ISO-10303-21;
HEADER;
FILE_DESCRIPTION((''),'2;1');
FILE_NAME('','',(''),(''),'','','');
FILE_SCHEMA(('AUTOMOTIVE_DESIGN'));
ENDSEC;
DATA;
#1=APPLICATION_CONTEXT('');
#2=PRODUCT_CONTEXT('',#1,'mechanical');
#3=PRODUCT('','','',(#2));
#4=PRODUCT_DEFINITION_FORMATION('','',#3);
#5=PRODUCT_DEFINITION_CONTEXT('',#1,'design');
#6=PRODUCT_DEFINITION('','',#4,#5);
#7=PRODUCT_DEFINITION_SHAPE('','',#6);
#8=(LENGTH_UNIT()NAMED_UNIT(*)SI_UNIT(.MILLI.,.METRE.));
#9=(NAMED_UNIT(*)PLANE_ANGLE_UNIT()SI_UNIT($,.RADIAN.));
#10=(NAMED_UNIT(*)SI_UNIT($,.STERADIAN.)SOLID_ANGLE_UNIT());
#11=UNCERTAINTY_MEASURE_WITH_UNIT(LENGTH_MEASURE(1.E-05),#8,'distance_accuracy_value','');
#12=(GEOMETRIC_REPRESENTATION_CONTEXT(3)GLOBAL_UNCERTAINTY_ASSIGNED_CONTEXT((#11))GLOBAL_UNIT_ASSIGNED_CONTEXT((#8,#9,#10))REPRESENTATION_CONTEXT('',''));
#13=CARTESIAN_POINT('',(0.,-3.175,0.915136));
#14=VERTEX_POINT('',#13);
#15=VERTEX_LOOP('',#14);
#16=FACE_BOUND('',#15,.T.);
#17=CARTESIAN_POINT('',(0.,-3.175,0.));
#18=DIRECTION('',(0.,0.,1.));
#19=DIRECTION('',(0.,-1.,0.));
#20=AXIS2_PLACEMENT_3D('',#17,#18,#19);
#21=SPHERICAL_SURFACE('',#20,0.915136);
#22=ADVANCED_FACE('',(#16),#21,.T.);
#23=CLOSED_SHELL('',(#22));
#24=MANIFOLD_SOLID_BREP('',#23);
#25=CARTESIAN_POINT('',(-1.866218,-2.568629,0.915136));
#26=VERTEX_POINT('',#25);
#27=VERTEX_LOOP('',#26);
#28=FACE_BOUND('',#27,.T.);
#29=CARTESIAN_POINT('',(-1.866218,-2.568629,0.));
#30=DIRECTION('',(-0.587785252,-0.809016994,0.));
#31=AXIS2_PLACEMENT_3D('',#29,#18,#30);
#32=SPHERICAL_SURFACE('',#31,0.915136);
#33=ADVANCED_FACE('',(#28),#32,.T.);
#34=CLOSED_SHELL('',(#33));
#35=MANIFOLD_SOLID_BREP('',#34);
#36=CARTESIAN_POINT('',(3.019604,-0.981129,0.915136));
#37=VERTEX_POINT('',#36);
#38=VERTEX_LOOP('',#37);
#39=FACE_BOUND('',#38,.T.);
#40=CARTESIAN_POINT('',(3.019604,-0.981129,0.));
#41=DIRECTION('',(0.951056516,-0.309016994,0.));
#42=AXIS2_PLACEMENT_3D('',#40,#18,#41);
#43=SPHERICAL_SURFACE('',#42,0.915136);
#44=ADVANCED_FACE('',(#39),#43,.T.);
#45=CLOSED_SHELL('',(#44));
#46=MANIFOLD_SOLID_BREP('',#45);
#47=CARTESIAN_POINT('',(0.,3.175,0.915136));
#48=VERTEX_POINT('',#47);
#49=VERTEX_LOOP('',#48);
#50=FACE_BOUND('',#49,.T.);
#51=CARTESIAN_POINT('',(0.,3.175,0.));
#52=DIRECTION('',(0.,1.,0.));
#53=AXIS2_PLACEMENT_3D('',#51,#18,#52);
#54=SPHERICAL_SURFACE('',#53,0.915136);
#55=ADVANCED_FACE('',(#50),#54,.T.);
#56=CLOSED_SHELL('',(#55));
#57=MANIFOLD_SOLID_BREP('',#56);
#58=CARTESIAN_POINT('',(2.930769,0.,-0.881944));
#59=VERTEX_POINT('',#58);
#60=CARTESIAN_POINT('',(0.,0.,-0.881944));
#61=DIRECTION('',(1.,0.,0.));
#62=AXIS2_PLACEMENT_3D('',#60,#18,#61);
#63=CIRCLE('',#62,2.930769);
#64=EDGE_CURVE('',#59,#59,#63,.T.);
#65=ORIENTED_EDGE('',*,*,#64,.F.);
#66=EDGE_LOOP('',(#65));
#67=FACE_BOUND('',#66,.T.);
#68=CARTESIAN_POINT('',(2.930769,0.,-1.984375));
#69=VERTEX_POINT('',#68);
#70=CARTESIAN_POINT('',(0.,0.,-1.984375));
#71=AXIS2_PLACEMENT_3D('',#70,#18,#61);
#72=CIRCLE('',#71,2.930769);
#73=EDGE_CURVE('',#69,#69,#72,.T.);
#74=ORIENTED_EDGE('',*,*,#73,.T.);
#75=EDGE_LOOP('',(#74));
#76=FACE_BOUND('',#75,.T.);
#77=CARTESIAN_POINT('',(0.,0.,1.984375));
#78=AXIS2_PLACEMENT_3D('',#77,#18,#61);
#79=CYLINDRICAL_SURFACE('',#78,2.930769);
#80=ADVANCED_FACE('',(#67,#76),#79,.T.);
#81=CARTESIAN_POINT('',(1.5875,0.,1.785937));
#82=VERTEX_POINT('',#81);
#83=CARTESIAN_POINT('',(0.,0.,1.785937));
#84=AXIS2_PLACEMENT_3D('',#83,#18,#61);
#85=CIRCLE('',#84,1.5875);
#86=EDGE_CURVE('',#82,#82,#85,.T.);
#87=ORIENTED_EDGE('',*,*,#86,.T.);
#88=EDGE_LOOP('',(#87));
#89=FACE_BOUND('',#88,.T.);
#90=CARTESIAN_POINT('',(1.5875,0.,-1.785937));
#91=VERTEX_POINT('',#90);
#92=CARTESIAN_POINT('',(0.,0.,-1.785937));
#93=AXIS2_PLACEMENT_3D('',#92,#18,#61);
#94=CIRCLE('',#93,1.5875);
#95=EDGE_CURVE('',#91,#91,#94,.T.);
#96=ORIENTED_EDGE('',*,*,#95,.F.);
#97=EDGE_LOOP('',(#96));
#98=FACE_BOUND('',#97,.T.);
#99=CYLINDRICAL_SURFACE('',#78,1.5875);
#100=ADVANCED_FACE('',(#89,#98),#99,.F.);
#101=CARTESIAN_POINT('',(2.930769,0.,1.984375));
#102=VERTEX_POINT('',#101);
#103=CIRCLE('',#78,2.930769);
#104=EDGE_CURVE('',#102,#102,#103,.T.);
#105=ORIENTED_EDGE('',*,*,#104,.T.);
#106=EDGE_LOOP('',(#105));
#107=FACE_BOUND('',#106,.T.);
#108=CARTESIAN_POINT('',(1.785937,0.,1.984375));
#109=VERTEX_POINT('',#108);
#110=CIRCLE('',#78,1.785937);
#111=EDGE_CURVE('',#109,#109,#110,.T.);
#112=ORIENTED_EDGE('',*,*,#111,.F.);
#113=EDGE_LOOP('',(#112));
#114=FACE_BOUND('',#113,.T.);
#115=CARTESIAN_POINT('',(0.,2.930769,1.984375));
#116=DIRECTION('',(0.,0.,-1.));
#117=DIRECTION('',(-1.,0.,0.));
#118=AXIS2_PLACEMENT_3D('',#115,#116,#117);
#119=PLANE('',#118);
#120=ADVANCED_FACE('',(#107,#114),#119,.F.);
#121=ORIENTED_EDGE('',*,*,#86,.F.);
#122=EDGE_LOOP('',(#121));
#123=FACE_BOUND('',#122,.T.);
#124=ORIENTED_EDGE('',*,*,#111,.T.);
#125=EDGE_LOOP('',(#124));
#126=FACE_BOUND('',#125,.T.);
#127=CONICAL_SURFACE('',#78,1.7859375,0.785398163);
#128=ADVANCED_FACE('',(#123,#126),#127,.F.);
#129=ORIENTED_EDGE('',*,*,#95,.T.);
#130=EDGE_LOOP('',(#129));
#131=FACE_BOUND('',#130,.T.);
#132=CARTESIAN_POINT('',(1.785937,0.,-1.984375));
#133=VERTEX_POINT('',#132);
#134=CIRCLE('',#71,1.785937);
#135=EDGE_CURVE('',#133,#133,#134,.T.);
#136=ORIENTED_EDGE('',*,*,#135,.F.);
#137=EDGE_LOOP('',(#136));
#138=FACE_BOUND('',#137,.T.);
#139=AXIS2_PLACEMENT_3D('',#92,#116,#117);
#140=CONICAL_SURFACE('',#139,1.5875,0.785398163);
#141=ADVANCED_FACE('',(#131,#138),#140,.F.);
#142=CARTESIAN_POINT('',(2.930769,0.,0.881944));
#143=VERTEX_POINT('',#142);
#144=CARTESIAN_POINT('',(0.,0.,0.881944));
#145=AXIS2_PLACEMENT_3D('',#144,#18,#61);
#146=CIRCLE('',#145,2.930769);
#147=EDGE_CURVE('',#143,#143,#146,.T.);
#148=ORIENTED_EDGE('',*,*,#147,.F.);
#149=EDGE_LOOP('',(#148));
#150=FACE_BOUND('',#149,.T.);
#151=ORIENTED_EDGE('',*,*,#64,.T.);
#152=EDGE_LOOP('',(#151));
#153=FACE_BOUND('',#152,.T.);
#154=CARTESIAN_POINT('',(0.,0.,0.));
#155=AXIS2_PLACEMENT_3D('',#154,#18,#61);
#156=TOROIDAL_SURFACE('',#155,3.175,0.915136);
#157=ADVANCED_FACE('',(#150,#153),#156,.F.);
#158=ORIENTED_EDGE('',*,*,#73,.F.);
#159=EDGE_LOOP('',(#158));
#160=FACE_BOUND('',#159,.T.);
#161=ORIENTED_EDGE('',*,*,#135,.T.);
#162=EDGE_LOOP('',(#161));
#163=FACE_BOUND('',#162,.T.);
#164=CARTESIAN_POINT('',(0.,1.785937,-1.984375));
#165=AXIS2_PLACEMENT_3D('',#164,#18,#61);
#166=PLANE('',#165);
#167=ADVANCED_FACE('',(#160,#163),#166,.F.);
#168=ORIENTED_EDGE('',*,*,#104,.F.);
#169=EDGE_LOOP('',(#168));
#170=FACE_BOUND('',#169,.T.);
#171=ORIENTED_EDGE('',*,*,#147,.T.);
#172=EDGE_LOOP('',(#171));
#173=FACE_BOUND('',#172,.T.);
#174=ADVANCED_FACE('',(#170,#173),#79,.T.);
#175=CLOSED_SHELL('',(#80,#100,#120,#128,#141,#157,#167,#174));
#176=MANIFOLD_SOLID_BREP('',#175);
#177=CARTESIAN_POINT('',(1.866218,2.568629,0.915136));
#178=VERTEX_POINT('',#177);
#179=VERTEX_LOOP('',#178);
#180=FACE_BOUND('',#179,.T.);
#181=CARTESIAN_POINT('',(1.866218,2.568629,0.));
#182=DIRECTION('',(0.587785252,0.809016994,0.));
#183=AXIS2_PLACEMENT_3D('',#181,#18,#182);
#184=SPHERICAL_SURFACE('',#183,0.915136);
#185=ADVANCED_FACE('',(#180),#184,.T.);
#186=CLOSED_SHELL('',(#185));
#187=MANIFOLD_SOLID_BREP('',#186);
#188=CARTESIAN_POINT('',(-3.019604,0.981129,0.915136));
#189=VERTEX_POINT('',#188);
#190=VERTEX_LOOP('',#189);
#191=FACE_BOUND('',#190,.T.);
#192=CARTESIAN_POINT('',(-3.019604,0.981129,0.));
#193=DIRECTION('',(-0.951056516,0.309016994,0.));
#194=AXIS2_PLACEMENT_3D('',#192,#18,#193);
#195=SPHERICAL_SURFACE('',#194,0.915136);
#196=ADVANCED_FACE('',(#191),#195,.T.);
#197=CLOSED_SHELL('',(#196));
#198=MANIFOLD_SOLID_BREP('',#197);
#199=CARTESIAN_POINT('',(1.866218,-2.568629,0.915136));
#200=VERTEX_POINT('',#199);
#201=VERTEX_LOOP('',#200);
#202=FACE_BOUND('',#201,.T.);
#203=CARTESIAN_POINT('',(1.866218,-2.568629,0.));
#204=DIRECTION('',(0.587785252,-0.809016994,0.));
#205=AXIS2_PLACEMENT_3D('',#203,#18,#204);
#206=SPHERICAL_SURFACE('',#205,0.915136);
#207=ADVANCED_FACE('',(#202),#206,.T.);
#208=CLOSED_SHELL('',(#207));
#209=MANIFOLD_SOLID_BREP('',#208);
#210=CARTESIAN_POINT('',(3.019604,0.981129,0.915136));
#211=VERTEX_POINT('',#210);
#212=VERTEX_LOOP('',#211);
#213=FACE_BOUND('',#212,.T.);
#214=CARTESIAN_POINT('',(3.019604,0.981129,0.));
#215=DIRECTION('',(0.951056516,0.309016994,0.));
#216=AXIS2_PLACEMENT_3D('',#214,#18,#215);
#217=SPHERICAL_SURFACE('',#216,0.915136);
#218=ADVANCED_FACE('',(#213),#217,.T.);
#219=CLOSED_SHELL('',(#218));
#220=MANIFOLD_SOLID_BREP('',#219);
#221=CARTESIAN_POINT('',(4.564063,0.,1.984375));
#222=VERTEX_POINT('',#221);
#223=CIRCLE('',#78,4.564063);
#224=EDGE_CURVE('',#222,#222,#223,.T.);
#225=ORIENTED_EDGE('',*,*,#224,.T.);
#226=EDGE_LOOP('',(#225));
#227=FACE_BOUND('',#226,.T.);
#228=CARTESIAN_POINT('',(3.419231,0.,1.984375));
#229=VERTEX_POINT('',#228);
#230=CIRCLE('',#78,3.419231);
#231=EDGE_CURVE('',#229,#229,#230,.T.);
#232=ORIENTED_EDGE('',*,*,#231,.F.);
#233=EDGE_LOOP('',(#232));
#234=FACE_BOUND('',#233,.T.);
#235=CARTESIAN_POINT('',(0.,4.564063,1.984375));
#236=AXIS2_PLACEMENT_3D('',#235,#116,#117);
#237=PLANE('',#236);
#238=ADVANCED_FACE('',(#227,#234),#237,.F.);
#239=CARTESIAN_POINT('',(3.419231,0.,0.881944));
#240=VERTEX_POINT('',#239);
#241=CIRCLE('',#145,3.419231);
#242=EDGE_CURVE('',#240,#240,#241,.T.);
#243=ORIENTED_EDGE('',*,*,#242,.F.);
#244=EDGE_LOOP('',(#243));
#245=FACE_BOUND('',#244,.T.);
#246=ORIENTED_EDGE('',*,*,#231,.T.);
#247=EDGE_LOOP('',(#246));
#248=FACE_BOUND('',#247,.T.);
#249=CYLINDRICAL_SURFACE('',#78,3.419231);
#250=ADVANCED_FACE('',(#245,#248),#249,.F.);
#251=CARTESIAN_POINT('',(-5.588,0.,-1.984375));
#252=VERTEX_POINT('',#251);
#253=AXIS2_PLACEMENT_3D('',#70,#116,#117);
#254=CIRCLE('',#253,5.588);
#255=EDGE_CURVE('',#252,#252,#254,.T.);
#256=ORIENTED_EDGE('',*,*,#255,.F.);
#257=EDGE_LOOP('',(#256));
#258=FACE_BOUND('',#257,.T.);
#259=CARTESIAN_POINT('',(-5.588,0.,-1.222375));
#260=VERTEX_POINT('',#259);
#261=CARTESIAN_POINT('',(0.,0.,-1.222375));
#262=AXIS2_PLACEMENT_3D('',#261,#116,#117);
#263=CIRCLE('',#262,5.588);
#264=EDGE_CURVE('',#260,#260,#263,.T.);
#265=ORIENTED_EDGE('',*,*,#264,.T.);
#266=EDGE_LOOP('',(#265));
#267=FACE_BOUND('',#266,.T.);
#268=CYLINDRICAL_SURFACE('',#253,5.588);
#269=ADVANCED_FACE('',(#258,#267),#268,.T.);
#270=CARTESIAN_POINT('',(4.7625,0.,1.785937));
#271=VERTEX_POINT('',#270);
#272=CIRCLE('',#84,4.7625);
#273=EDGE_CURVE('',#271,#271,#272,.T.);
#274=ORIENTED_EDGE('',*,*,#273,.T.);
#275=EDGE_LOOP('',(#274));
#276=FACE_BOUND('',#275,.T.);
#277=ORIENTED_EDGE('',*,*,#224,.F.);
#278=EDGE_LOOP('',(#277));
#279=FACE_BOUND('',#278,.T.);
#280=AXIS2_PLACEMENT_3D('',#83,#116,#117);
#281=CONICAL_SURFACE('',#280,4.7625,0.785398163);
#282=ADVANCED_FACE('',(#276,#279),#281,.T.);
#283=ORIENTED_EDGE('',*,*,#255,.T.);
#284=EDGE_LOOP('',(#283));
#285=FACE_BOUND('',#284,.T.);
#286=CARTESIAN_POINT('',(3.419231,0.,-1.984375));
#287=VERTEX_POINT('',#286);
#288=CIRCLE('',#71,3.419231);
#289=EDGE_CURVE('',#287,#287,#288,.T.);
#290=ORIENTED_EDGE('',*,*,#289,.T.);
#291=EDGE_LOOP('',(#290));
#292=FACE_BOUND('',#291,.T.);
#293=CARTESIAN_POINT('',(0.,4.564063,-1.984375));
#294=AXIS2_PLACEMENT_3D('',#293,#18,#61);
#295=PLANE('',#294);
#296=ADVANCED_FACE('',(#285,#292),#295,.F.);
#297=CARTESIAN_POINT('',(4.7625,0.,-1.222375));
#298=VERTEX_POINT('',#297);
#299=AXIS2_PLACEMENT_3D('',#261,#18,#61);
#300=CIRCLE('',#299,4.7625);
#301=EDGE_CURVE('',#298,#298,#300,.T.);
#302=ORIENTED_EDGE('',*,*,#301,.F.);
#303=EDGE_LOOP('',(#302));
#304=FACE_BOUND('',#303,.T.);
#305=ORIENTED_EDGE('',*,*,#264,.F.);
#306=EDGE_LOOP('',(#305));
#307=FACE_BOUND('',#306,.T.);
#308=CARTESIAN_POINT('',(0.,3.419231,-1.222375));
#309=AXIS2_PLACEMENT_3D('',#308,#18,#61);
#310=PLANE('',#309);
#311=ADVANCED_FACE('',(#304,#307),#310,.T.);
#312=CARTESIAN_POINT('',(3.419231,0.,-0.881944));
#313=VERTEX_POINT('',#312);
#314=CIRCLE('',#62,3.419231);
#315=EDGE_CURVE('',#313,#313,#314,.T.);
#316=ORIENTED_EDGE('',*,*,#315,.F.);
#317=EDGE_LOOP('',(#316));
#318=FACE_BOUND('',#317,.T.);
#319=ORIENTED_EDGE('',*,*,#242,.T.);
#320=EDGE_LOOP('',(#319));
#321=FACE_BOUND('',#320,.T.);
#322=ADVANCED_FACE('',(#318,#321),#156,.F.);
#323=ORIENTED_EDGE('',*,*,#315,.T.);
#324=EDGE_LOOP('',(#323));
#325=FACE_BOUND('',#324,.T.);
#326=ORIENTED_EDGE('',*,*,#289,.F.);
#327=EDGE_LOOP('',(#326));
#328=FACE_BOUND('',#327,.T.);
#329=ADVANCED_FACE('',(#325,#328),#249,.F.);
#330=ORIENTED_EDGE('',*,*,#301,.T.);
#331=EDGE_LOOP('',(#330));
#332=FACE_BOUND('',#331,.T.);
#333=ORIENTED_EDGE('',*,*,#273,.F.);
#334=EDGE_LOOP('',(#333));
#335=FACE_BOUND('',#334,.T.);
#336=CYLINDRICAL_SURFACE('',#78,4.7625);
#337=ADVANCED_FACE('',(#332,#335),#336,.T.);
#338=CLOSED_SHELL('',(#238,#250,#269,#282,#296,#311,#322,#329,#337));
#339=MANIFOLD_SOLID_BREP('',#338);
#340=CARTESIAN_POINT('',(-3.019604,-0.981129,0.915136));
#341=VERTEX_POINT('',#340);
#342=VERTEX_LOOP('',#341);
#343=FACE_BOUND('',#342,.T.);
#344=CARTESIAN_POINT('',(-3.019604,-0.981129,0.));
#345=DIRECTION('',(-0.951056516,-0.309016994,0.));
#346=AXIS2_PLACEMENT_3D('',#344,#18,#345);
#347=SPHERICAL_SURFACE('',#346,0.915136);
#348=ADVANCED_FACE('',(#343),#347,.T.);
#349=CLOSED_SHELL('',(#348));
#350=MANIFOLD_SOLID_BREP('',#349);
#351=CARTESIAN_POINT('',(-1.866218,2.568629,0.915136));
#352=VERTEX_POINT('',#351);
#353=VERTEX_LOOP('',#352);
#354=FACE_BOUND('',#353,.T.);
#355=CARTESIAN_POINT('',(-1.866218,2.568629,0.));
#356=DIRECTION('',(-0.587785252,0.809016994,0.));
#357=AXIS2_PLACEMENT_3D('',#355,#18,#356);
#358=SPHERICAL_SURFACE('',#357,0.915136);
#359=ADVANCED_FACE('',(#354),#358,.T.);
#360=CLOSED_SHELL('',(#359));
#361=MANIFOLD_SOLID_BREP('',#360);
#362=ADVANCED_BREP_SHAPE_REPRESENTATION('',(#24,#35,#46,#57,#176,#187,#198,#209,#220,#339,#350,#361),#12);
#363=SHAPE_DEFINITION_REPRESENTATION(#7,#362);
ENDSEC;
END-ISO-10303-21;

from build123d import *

# Parameters (mm, degrees)
CIRPATTERN1_COUNT = 10
SKETCH6_W         = 0.762
SKETCH6_H         = 2.168769231


with BuildPart() as part:
    # Sketch1 → Revolve1 (revolve)
    with BuildSketch(Plane(origin=(0, 0, 0), x_dir=(0, 0, -1), z_dir=(1, 0, 0))):
        with BuildLine():
            Line((1.7859375, 4.7625), (-1.7859375, 4.7625))
            Line((-1.7859375, 4.7625), (-1.984375, 4.5640625))
            Line((-1.984375, 4.5640625), (-1.984375, 3.419230769))
            Line((-1.984375, 3.419230769), (-0.881944444, 3.419230769))
            ThreePointArc((-0.881944444, 3.419230769), (0, 4.090136422), (0.881944444, 3.419230769))
            Line((0.881944444, 3.419230769), (1.984375, 3.419230769))
            Line((1.984375, 3.419230769), (1.984375, 4.5640625))
            Line((1.984375, 4.5640625), (1.7859375, 4.7625))
        make_face()
    revolve(axis=Axis((0, 0, 1.984375), (0, 0, -1)))

    # Sketch6 → Revolve6 (revolve)
    with BuildSketch(Plane(origin=(0, 0, 0), x_dir=(0, 0, -1), z_dir=(1, 0, 0))):
        with Locations((1.603375, 4.503615384)):
            Rectangle(SKETCH6_W, SKETCH6_H)
    revolve(axis=Axis((0, 0, -1.984375), (0, 0, 1)))


with BuildPart() as body_2:
    # Sketch3 → Revolve3 (revolve)
    with BuildSketch(Plane(origin=(0, 0, 0), x_dir=(0, 0, -1), z_dir=(1, 0, 0))):
        with BuildLine():
            Line((-1.984375, 2.930769231), (-0.881944444, 2.930769231))
            ThreePointArc((-0.881944444, 2.930769231), (0, 2.259863578), (0.881944444, 2.930769231))
            Line((0.881944444, 2.930769231), (1.984375, 2.930769231))
            Line((1.984375, 2.930769231), (1.984375, 1.7859375))
            Line((1.984375, 1.7859375), (1.7859375, 1.5875))
            Line((1.7859375, 1.5875), (-1.7859375, 1.5875))
            Line((-1.7859375, 1.5875), (-1.984375, 1.7859375))
            Line((-1.984375, 1.7859375), (-1.984375, 2.930769231))
        make_face()
    revolve(axis=Axis((0, 0, 1.984375), (0, 0, -1)))


with BuildPart() as body_3:
    # Sketch4 → Revolve4 (revolve)
    with BuildSketch(Plane(origin=(0, 0, 0), x_dir=(0, 0, -1), z_dir=(1, 0, 0))):
        with BuildLine():
            Line((-0.915136422, 3.175), (0.915136422, 3.175))
            ThreePointArc((0.915136422, 3.175), (0, 4.090136422), (-0.915136422, 3.175))
        make_face()
    revolve(axis=Axis((0, 3.175, 0.915136422), (0, 0, -1)))


with BuildPart() as cirpattern1_1:
    # CirPattern1: pattern copy
    add(body_3.part.rotate(Axis((0, 0, -1.984375), (0, 0, 1)), 1 * 360 / CIRPATTERN1_COUNT))


with BuildPart() as cirpattern1_2:
    # CirPattern1: pattern copy
    add(body_3.part.rotate(Axis((0, 0, -1.984375), (0, 0, 1)), 2 * 360 / CIRPATTERN1_COUNT))


with BuildPart() as cirpattern1_3:
    # CirPattern1: pattern copy
    add(body_3.part.rotate(Axis((0, 0, -1.984375), (0, 0, 1)), 3 * 360 / CIRPATTERN1_COUNT))


with BuildPart() as cirpattern1_4:
    # CirPattern1: pattern copy
    add(body_3.part.rotate(Axis((0, 0, -1.984375), (0, 0, 1)), 4 * 360 / CIRPATTERN1_COUNT))


with BuildPart() as cirpattern1_5:
    # CirPattern1: pattern copy
    add(body_3.part.rotate(Axis((0, 0, -1.984375), (0, 0, 1)), 5 * 360 / CIRPATTERN1_COUNT))


with BuildPart() as cirpattern1_6:
    # CirPattern1: pattern copy
    add(body_3.part.rotate(Axis((0, 0, -1.984375), (0, 0, 1)), 6 * 360 / CIRPATTERN1_COUNT))


with BuildPart() as cirpattern1_7:
    # CirPattern1: pattern copy
    add(body_3.part.rotate(Axis((0, 0, -1.984375), (0, 0, 1)), 7 * 360 / CIRPATTERN1_COUNT))


with BuildPart() as cirpattern1_8:
    # CirPattern1: pattern copy
    add(body_3.part.rotate(Axis((0, 0, -1.984375), (0, 0, 1)), 8 * 360 / CIRPATTERN1_COUNT))


with BuildPart() as cirpattern1_9:
    # CirPattern1: pattern copy
    add(body_3.part.rotate(Axis((0, 0, -1.984375), (0, 0, 1)), 9 * 360 / CIRPATTERN1_COUNT))


solid = Compound([part.part, body_2.part, body_3.part, cirpattern1_1.part, cirpattern1_2.part, cirpattern1_3.part, cirpattern1_4.part, cirpattern1_5.part, cirpattern1_6.part, cirpattern1_7.part, cirpattern1_8.part, cirpattern1_9.part])
